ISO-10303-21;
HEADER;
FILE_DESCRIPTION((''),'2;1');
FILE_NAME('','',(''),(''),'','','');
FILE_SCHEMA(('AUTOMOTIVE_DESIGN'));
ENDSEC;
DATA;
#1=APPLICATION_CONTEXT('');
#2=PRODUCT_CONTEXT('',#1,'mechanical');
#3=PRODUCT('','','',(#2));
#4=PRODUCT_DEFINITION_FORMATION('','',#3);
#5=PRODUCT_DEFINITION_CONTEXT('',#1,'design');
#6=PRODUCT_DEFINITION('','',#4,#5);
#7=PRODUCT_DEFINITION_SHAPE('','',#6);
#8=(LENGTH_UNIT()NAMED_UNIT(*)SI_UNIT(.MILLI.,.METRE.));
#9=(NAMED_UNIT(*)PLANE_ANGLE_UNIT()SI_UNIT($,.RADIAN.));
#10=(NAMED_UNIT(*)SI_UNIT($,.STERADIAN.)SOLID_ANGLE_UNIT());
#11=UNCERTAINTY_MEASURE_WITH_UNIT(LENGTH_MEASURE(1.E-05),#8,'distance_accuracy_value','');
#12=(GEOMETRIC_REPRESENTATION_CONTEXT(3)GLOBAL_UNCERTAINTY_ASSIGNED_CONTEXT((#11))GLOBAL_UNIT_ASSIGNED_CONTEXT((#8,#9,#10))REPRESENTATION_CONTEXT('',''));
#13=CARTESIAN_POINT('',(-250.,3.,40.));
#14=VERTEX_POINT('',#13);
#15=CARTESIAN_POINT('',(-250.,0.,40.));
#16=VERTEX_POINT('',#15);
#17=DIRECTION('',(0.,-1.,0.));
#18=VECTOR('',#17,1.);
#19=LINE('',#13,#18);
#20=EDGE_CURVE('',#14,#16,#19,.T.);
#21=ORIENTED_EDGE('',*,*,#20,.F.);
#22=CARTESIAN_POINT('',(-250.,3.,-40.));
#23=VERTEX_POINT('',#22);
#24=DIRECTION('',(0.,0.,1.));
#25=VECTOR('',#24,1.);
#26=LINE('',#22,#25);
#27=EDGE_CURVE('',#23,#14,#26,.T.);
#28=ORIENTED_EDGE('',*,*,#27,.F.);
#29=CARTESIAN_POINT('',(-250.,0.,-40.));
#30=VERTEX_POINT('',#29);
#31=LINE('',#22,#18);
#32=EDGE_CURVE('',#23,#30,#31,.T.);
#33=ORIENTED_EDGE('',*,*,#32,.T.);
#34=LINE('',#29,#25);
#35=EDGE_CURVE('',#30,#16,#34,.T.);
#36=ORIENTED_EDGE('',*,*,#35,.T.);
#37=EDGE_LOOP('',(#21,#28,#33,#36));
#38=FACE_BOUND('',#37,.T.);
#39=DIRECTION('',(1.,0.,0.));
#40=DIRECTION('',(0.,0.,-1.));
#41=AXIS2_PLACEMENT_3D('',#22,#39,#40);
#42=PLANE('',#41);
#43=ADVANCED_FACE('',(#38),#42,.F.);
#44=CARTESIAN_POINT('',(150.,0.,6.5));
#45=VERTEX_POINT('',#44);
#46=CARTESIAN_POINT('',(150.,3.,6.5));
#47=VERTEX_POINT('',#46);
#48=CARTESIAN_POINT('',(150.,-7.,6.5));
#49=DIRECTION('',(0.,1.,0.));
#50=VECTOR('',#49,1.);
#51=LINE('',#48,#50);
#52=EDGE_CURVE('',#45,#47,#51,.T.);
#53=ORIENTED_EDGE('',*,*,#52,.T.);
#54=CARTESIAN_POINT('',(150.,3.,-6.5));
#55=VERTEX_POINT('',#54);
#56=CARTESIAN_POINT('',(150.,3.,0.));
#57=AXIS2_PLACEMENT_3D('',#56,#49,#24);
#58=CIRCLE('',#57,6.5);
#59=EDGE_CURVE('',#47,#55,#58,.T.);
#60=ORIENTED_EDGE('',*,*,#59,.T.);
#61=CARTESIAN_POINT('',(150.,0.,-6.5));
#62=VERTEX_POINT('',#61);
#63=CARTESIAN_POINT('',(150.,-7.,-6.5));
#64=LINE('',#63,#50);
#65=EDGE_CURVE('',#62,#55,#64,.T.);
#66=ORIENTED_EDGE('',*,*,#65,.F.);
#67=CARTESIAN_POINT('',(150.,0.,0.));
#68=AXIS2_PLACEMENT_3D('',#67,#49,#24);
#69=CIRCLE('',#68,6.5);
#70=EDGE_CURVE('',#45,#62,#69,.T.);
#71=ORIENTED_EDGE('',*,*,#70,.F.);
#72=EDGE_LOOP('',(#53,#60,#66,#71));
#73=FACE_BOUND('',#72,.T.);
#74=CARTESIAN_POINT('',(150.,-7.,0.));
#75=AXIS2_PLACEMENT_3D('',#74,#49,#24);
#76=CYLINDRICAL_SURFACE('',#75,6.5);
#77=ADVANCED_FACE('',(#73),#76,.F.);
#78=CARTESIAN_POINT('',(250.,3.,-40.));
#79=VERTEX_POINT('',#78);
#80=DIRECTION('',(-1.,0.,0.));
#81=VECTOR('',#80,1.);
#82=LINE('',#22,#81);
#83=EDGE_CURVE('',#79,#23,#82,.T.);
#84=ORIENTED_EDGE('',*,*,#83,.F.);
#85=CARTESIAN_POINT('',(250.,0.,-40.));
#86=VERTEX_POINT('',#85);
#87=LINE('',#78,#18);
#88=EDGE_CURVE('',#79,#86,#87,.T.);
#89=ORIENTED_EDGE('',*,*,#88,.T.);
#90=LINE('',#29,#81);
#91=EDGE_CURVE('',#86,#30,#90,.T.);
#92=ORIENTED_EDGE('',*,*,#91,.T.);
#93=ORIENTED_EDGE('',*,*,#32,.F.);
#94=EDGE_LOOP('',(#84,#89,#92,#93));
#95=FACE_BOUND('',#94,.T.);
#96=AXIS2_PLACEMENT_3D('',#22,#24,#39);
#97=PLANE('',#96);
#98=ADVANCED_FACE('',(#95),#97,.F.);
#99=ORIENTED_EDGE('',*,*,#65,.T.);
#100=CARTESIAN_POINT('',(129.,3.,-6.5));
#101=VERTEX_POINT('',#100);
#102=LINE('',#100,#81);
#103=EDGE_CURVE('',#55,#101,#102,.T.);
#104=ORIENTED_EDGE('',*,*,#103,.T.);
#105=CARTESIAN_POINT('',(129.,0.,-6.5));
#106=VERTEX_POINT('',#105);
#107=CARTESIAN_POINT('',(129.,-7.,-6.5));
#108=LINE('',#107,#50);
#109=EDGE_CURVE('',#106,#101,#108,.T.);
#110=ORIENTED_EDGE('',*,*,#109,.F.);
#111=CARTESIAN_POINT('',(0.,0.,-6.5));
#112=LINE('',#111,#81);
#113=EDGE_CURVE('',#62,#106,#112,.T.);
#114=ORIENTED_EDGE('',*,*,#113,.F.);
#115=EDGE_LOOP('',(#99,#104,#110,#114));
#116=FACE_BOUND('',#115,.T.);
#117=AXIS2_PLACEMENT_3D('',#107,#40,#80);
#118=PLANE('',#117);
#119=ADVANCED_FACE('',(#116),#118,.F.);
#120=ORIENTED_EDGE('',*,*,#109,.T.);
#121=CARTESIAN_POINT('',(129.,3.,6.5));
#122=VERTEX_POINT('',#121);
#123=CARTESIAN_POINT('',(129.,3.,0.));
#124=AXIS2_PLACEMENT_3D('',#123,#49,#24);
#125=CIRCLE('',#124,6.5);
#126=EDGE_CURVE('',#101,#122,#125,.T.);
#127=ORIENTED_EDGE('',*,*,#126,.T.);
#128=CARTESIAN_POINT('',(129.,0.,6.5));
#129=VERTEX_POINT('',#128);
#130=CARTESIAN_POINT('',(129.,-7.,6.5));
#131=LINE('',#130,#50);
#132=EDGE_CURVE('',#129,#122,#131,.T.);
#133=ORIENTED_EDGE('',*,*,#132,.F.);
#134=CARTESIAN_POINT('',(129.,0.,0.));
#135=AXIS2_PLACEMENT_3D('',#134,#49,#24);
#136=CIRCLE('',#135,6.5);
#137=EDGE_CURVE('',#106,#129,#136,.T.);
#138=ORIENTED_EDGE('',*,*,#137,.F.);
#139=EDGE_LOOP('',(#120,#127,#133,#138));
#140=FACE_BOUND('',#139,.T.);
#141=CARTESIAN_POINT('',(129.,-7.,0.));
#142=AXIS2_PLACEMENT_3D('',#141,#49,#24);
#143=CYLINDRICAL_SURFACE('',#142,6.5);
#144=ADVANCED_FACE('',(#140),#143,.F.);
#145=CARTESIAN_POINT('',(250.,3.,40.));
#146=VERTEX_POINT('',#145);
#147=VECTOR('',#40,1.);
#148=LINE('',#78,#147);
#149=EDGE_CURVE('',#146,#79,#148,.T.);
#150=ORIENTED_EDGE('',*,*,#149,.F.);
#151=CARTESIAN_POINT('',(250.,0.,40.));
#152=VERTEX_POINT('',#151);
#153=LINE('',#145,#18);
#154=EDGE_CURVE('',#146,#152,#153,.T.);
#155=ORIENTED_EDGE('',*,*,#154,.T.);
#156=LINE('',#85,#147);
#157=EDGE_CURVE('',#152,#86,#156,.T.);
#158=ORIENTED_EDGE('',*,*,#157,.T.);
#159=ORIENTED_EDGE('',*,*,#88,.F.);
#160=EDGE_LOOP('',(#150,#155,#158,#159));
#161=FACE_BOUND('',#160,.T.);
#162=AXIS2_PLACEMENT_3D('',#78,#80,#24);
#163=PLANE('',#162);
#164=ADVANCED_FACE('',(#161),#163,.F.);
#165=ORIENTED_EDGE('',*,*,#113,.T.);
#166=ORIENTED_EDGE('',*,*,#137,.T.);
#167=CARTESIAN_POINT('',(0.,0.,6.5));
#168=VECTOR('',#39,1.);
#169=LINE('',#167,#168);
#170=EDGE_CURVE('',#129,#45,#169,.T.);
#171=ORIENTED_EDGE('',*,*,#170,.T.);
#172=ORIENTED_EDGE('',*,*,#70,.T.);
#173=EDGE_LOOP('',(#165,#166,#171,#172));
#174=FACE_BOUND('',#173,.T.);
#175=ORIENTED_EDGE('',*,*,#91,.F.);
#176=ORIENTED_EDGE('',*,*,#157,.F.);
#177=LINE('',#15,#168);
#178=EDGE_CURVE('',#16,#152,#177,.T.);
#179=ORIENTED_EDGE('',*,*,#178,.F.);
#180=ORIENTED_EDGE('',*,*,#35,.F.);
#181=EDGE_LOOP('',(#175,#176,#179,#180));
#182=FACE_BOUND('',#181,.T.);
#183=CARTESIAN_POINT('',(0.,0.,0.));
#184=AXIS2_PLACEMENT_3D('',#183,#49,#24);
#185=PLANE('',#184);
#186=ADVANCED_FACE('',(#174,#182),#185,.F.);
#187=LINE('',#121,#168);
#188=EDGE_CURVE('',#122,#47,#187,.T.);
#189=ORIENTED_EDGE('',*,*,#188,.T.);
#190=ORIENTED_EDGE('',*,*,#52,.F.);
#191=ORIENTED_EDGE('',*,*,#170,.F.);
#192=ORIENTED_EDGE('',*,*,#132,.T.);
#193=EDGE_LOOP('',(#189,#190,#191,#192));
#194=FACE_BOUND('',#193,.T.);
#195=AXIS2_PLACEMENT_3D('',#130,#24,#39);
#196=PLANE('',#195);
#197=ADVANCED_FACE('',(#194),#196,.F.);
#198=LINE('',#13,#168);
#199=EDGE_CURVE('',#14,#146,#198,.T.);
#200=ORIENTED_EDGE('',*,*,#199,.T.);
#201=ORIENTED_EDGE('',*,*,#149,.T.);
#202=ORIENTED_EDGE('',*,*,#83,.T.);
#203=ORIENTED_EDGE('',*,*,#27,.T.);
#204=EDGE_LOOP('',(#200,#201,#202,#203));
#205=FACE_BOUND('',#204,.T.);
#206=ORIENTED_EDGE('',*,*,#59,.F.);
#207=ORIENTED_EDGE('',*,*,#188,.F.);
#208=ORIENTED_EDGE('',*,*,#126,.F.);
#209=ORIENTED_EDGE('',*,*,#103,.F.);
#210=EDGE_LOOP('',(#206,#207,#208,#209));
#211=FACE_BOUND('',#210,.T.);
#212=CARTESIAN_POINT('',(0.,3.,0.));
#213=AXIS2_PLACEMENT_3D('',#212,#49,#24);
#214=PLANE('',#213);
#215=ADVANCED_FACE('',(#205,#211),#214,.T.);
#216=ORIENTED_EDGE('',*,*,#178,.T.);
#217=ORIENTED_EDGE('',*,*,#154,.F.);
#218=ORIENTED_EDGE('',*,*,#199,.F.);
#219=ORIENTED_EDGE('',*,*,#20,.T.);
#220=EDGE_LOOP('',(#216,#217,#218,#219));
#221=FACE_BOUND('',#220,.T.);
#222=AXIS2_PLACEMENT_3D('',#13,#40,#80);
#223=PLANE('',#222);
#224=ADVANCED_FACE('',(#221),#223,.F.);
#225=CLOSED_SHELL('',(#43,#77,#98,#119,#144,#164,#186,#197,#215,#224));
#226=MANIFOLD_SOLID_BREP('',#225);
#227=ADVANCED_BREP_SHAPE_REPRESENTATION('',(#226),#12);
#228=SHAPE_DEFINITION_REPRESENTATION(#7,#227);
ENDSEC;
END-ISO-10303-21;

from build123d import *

# Parameters (mm, degrees)
SKETCH_1_W          = 500
SKETCH_1_H          = 80
EXTRUDE_1_DEPTH     = 3
CUT_EXTRUDE_1_DEPTH = 10


with BuildPart() as part:
    # 草图1 → 凸台-拉伸1 (new body)
    with BuildSketch(Plane(origin=(0, 0, 0), x_dir=(1, 0, 0), z_dir=(0, 1, 0))):
        Rectangle(SKETCH_1_W, SKETCH_1_H)
    extrude(amount=EXTRUDE_1_DEPTH)

    # 草图2 → 切除-拉伸1 (cut)
    with BuildSketch(Plane(origin=(0, 3, 0), x_dir=(1, 0, 0), z_dir=(0, 1, 0))):
        with BuildLine():
            Line((129, 6.5), (150, 6.5))
            ThreePointArc((150, 6.5), (156.5, 0), (150, -6.5))
            Line((150, -6.5), (129, -6.5))
            ThreePointArc((129, -6.5), (122.5, 0), (129, 6.5))
        make_face()
    extrude(amount=-CUT_EXTRUDE_1_DEPTH, mode=Mode.SUBTRACT)


solid = part.part
